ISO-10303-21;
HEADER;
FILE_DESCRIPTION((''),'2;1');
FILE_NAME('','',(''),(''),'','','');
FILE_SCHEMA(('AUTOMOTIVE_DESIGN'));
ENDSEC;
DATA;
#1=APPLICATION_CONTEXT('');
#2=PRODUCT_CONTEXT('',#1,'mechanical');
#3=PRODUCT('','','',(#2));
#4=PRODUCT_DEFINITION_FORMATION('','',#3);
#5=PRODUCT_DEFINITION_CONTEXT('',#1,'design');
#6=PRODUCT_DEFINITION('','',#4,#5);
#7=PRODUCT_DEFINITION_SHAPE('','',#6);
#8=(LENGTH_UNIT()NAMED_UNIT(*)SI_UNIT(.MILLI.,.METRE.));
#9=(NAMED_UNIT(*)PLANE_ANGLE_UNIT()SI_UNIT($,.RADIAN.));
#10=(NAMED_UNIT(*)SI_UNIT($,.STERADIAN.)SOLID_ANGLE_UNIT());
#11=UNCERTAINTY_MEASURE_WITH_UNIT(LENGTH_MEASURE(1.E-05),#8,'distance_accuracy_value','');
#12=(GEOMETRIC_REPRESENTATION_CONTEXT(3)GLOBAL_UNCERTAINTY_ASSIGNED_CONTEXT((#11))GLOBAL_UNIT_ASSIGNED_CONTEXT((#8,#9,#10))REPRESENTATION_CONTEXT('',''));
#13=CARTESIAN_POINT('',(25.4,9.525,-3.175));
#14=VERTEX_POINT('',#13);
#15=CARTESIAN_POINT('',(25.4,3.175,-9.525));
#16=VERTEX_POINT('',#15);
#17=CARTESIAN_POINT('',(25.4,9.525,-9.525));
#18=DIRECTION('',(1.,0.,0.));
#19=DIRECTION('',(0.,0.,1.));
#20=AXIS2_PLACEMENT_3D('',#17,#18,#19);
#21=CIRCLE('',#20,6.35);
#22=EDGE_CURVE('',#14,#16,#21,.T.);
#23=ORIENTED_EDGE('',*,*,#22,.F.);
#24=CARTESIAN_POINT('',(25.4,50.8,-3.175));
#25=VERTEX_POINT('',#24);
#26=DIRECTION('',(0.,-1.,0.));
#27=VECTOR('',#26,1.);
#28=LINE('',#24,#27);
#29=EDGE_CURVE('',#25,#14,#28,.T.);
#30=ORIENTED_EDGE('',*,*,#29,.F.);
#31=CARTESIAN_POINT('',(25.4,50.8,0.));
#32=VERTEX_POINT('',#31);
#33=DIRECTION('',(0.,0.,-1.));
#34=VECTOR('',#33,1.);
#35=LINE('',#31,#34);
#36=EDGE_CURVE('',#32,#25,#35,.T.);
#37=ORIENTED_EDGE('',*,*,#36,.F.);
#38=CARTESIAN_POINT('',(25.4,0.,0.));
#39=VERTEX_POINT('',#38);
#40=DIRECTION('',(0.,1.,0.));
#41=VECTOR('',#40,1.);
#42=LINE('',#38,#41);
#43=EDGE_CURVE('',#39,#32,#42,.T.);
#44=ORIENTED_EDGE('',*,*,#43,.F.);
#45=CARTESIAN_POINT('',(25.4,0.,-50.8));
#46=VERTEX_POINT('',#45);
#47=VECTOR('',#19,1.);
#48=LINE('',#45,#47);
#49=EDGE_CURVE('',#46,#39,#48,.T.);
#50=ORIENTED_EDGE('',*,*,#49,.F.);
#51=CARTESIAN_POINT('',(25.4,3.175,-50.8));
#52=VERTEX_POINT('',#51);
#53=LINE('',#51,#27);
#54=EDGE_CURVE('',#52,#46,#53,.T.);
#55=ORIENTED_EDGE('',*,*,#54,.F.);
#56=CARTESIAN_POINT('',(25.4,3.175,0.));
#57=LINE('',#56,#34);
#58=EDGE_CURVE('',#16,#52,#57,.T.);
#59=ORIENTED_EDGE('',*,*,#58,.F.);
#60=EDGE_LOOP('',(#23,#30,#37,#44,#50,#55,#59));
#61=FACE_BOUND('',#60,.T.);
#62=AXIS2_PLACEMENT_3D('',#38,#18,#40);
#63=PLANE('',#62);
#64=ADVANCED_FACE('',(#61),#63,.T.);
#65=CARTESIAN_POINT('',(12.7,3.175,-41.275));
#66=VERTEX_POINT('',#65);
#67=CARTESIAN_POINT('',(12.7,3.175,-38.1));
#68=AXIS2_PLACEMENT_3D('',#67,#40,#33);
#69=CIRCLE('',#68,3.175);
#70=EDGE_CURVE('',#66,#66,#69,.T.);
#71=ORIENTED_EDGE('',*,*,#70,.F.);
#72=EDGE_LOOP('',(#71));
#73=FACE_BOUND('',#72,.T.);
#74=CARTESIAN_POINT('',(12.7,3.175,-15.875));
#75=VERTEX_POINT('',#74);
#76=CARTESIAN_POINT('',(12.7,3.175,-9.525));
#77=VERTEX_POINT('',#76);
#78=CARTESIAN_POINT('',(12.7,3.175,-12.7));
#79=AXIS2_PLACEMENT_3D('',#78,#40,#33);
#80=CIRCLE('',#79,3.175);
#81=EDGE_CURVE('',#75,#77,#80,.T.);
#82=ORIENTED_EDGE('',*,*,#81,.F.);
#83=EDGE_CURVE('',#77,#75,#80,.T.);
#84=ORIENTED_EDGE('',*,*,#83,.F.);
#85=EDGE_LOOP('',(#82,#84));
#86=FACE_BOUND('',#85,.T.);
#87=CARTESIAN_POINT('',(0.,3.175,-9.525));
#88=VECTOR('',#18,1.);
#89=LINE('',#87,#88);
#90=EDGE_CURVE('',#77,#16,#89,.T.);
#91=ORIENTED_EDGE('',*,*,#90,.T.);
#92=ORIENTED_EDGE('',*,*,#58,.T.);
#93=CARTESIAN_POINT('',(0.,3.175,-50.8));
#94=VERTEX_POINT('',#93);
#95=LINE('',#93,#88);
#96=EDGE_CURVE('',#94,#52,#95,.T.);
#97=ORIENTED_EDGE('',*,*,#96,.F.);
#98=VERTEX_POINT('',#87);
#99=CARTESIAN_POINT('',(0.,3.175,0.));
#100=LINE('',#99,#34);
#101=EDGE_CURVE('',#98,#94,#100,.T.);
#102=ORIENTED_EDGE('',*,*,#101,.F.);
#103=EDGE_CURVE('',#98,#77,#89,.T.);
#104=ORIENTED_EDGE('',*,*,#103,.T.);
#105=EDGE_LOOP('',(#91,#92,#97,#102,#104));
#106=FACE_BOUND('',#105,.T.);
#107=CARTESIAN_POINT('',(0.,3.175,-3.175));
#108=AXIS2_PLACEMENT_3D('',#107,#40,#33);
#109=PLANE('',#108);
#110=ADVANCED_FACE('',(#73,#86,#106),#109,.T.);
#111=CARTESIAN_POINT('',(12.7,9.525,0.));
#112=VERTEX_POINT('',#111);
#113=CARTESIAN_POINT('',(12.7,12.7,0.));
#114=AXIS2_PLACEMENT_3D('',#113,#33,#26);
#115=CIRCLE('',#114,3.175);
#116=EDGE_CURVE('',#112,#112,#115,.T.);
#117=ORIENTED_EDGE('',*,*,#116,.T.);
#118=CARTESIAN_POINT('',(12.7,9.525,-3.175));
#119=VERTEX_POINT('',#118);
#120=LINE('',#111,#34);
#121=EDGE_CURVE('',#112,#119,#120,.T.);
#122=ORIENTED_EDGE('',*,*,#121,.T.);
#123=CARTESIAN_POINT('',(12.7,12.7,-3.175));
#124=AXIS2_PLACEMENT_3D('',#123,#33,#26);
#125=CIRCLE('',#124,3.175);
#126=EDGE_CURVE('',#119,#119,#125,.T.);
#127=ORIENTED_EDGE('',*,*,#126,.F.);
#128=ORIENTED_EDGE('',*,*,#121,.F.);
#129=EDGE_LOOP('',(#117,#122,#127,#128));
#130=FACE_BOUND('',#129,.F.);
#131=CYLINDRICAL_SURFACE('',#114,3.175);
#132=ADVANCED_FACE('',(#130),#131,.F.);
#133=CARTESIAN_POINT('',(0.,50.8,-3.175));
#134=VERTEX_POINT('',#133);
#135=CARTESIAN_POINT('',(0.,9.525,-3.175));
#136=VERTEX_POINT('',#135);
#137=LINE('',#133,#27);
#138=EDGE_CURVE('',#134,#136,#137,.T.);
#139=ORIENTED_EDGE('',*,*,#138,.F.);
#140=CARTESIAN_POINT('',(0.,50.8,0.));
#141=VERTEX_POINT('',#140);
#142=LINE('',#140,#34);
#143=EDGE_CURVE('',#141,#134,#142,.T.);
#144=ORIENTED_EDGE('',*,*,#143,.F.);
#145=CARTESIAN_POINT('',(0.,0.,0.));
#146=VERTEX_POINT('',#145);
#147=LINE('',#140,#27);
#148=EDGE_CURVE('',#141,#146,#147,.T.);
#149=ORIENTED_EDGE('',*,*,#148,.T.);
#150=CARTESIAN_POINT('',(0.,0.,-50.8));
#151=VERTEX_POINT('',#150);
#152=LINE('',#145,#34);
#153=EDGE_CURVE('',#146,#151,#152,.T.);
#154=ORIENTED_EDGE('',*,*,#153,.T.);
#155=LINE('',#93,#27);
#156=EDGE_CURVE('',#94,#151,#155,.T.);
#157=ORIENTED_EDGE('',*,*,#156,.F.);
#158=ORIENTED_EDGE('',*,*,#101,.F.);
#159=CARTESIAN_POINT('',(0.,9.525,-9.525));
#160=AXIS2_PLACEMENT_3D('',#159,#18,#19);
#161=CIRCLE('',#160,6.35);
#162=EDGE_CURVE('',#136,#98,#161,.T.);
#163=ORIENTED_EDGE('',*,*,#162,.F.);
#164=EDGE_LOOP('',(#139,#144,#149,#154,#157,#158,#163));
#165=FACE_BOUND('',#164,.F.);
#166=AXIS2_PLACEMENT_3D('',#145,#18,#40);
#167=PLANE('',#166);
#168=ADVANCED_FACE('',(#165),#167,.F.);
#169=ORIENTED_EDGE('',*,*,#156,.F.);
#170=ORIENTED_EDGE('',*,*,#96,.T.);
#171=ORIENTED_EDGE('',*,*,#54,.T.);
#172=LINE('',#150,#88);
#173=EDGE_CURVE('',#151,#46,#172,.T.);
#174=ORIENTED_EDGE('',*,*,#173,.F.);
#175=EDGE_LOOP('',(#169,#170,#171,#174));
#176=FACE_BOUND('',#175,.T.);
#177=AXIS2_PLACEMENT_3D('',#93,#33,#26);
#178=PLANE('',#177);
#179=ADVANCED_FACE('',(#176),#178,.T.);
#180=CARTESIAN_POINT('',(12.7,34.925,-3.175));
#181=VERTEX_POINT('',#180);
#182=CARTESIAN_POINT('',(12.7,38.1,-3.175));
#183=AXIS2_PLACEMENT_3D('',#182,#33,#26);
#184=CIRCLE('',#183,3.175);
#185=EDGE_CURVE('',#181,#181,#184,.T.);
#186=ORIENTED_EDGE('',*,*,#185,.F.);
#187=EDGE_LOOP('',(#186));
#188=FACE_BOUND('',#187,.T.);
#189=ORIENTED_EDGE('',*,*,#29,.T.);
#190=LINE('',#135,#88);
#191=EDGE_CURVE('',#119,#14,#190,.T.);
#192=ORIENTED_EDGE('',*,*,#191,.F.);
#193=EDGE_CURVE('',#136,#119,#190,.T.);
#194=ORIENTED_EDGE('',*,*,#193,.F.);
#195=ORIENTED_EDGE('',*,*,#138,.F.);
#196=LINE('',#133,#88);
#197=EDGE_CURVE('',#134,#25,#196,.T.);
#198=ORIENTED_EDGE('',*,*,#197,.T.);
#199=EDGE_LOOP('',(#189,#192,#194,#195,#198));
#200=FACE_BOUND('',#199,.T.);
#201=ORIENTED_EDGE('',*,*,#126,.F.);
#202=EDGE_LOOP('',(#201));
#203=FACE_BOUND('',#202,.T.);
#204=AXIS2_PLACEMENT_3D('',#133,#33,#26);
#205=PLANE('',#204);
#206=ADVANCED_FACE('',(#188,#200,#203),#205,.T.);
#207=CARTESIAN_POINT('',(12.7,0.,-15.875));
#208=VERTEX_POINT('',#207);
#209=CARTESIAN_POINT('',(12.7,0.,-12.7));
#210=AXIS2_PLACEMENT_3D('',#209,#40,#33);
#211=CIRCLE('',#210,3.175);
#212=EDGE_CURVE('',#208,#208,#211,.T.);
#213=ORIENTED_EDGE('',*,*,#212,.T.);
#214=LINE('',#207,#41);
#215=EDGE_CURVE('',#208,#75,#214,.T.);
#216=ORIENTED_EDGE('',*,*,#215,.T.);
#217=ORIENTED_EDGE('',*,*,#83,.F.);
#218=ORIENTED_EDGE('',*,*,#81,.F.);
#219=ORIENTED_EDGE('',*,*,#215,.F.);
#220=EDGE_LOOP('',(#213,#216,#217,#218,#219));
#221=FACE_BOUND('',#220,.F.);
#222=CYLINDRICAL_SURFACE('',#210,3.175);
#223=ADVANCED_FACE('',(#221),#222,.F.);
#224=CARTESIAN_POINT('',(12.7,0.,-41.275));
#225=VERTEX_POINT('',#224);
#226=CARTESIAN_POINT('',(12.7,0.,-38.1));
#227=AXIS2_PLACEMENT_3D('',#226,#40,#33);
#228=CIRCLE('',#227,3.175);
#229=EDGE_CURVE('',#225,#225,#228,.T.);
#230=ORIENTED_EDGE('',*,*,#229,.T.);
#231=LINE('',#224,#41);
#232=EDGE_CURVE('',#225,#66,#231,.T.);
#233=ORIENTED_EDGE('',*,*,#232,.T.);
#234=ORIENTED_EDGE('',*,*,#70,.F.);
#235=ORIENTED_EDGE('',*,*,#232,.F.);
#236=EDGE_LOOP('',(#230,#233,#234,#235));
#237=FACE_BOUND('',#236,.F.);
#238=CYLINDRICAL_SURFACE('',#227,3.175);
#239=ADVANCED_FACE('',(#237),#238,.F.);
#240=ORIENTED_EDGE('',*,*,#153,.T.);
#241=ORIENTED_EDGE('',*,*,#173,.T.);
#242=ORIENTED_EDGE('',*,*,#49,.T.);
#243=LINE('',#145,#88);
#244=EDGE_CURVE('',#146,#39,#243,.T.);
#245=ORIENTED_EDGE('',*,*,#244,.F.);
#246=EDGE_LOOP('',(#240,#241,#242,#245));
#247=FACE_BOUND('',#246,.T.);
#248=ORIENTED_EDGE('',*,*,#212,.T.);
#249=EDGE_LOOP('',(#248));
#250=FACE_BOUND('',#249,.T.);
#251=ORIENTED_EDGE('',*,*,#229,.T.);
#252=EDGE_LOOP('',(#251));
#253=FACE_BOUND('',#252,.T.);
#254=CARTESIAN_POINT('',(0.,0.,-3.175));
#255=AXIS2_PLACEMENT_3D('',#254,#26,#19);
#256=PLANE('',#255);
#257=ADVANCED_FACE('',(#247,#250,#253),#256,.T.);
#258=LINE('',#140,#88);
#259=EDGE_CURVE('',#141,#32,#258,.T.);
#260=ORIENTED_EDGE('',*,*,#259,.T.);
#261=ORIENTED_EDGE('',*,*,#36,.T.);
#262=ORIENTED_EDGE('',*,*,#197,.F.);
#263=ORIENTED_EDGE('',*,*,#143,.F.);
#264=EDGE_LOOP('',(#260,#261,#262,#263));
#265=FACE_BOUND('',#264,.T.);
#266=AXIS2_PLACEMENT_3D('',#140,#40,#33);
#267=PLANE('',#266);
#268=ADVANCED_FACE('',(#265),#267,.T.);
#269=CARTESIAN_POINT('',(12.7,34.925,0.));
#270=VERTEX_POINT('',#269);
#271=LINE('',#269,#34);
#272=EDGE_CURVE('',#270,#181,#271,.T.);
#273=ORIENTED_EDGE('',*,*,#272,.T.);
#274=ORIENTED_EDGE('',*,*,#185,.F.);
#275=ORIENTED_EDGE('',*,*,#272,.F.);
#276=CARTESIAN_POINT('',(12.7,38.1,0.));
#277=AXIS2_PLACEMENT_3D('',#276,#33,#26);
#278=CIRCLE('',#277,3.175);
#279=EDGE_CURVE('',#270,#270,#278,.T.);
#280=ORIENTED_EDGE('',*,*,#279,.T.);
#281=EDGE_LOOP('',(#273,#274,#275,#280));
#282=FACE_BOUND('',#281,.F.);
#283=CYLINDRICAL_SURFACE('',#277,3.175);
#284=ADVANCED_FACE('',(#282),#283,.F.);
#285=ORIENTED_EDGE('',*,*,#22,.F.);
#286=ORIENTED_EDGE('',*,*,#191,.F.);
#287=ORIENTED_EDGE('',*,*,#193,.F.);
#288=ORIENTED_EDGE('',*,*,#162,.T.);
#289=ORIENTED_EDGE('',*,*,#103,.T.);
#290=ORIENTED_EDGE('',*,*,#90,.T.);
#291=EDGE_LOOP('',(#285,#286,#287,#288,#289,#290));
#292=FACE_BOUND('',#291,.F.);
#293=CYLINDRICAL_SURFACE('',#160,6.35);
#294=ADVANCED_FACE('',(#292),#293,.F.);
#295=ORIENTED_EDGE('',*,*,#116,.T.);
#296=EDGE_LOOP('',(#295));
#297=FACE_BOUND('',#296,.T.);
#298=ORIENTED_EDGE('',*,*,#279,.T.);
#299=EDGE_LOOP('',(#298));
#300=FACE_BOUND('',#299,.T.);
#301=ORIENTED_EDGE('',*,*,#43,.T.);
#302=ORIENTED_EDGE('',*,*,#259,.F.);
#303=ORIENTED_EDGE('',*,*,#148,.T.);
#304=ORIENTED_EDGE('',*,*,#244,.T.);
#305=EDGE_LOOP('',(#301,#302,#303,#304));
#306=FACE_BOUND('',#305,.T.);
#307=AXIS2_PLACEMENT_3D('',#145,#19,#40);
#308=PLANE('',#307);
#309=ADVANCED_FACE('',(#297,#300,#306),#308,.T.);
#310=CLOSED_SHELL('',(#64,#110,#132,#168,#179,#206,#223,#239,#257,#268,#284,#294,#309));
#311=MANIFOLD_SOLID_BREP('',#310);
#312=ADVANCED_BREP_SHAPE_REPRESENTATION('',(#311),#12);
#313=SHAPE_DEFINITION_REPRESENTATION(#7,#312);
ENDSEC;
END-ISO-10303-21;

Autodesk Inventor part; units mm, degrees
ref_plane "YZ Plane" through (0, 0, 0) normal (1, 0, 0) x (0, 1, 0)
ref_plane "XZ Plane" through (0, 0, 0) normal (0, 1, 0) x (-1, 0, 0)
ref_plane "XY Plane" through (0, 0, 0) normal (0, 0, 1) x (1, 0, 0)
sketch "Sketch1" plane through (0, 0, 0) normal (1, 0, 0) x (0, 1, 0)
  line L0 (0, 0) -> (50.8, 0)
  line L1 (50.8, 0) -> (50.8, -3.175)
  line L2 (50.8, -3.175) -> (0, -3.175)
  line L3 (0, -3.175) -> (0, 0)
  line L4 (0, 0) -> (3.175, 0)
  line L5 (3.175, 0) -> (3.175, -50.8)
  line L6 (3.175, -50.8) -> (0, -50.8)
  line L7 (0, -50.8) -> (0, 0)
  dimension "d0" = 50.8
  dimension "d1" = 3.175
  dimension "d2" = 3.175
  dimension "d3" = 50.8
extrude "Extrusion1" add sketch "Sketch1" along normal blind 25.4
fillet "Fillet1" radius 6.35 1 edges at (12.7, 3.175, -3.175)
hole "Hole1" at (12.7, 0, -12.7) direction (0, 1, 0) diameter 6.35 end through all
hole "Hole2" at (12.7, 0, -38.1) direction (0, 1, 0) diameter 6.35 end through all
hole "Hole3" at (12.7, 12.7, 0) direction (0, 0, -1) diameter 6.35 end through all
hole "Hole4" at (12.7, 38.1, 0) direction (0, 0, -1) diameter 6.35 end through all
properties part number "2in 4-hole Bracket 0.25in Hole"
